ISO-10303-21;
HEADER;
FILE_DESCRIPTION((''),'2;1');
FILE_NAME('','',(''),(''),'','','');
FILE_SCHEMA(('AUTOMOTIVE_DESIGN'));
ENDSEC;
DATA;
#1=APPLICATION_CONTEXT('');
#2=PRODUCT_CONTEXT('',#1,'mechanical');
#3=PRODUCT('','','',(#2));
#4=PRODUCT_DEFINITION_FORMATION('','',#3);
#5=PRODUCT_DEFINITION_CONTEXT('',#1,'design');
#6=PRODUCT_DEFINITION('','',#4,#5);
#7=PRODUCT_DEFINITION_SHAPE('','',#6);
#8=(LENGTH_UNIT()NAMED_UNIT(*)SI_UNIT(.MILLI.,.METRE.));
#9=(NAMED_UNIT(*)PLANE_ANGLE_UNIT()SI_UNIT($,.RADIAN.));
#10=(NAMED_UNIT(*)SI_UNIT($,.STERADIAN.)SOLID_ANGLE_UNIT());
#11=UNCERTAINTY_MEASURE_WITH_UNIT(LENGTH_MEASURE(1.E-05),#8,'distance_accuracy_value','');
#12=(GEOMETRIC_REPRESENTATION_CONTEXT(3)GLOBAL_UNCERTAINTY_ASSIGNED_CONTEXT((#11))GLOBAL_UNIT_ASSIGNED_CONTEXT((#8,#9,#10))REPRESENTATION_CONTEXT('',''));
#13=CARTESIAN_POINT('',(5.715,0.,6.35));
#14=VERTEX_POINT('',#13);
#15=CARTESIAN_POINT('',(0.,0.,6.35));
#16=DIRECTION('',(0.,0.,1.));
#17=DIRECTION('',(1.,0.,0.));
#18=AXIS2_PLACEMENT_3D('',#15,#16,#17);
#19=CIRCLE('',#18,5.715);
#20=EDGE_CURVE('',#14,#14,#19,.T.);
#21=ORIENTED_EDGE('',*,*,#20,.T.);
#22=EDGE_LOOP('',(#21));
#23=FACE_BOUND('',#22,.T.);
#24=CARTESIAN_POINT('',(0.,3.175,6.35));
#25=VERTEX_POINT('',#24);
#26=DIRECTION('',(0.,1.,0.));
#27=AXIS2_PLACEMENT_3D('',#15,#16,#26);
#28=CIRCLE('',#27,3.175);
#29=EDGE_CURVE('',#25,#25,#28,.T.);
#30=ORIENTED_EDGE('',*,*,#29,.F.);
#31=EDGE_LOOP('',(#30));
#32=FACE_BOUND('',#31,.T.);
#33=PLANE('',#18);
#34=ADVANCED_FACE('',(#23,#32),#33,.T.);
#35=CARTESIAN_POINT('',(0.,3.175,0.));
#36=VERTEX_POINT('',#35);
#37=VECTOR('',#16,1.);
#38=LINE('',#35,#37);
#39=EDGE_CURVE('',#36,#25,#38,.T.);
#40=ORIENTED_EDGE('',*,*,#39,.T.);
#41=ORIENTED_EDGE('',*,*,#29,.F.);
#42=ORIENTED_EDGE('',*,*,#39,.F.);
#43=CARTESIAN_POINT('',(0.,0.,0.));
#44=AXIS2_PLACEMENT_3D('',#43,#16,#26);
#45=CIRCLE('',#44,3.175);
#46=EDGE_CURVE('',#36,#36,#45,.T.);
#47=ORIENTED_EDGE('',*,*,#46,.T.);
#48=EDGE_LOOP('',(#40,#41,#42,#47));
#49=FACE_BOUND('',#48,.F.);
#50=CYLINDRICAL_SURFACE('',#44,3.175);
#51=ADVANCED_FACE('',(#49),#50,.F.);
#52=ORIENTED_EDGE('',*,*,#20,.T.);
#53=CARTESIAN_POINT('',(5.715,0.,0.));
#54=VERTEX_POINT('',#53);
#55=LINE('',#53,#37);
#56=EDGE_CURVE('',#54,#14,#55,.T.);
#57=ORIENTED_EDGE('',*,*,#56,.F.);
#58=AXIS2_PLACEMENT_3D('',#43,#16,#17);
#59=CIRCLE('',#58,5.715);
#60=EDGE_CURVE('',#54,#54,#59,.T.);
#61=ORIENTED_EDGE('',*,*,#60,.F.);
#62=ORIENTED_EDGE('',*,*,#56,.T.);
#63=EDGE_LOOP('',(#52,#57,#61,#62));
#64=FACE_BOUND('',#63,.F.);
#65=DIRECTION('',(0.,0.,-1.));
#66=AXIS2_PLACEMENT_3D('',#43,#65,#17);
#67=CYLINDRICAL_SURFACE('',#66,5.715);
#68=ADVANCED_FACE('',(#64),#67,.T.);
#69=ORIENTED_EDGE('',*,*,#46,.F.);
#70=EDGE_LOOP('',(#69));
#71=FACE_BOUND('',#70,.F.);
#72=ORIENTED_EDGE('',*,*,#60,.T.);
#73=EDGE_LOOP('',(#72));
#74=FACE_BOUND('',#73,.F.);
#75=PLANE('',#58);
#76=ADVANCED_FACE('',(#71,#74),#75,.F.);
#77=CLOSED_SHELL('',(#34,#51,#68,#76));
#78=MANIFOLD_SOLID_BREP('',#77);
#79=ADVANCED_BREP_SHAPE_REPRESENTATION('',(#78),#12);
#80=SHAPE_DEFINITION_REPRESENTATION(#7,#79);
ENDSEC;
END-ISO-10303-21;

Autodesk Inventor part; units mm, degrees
ref_plane "YZ Plane" through (0, 0, 0) normal (1, 0, 0) x (0, 1, 0)
ref_plane "XZ Plane" through (0, 0, 0) normal (0, 1, 0) x (-1, 0, 0)
ref_plane "XY Plane" through (0, 0, 0) normal (0, 0, 1) x (1, 0, 0)
sketch "Hitch Magnet Sketch" plane through (0, 0, 0) normal (0, 0, 1) x (1, 0, 0)
  circle A0 centre (0, 0) radius 5.715
  dimension "d0" = 11.43
extrude "Hitch Magnet Extrution" add sketch "Hitch Magnet Sketch" along normal blind 6.35
hole "Hitch Magnet Hole" at (0, 0, 0) direction (0, 0, 1) diameter 6.35 end through all
properties part number "Caufield_Hitch_Magnet"
